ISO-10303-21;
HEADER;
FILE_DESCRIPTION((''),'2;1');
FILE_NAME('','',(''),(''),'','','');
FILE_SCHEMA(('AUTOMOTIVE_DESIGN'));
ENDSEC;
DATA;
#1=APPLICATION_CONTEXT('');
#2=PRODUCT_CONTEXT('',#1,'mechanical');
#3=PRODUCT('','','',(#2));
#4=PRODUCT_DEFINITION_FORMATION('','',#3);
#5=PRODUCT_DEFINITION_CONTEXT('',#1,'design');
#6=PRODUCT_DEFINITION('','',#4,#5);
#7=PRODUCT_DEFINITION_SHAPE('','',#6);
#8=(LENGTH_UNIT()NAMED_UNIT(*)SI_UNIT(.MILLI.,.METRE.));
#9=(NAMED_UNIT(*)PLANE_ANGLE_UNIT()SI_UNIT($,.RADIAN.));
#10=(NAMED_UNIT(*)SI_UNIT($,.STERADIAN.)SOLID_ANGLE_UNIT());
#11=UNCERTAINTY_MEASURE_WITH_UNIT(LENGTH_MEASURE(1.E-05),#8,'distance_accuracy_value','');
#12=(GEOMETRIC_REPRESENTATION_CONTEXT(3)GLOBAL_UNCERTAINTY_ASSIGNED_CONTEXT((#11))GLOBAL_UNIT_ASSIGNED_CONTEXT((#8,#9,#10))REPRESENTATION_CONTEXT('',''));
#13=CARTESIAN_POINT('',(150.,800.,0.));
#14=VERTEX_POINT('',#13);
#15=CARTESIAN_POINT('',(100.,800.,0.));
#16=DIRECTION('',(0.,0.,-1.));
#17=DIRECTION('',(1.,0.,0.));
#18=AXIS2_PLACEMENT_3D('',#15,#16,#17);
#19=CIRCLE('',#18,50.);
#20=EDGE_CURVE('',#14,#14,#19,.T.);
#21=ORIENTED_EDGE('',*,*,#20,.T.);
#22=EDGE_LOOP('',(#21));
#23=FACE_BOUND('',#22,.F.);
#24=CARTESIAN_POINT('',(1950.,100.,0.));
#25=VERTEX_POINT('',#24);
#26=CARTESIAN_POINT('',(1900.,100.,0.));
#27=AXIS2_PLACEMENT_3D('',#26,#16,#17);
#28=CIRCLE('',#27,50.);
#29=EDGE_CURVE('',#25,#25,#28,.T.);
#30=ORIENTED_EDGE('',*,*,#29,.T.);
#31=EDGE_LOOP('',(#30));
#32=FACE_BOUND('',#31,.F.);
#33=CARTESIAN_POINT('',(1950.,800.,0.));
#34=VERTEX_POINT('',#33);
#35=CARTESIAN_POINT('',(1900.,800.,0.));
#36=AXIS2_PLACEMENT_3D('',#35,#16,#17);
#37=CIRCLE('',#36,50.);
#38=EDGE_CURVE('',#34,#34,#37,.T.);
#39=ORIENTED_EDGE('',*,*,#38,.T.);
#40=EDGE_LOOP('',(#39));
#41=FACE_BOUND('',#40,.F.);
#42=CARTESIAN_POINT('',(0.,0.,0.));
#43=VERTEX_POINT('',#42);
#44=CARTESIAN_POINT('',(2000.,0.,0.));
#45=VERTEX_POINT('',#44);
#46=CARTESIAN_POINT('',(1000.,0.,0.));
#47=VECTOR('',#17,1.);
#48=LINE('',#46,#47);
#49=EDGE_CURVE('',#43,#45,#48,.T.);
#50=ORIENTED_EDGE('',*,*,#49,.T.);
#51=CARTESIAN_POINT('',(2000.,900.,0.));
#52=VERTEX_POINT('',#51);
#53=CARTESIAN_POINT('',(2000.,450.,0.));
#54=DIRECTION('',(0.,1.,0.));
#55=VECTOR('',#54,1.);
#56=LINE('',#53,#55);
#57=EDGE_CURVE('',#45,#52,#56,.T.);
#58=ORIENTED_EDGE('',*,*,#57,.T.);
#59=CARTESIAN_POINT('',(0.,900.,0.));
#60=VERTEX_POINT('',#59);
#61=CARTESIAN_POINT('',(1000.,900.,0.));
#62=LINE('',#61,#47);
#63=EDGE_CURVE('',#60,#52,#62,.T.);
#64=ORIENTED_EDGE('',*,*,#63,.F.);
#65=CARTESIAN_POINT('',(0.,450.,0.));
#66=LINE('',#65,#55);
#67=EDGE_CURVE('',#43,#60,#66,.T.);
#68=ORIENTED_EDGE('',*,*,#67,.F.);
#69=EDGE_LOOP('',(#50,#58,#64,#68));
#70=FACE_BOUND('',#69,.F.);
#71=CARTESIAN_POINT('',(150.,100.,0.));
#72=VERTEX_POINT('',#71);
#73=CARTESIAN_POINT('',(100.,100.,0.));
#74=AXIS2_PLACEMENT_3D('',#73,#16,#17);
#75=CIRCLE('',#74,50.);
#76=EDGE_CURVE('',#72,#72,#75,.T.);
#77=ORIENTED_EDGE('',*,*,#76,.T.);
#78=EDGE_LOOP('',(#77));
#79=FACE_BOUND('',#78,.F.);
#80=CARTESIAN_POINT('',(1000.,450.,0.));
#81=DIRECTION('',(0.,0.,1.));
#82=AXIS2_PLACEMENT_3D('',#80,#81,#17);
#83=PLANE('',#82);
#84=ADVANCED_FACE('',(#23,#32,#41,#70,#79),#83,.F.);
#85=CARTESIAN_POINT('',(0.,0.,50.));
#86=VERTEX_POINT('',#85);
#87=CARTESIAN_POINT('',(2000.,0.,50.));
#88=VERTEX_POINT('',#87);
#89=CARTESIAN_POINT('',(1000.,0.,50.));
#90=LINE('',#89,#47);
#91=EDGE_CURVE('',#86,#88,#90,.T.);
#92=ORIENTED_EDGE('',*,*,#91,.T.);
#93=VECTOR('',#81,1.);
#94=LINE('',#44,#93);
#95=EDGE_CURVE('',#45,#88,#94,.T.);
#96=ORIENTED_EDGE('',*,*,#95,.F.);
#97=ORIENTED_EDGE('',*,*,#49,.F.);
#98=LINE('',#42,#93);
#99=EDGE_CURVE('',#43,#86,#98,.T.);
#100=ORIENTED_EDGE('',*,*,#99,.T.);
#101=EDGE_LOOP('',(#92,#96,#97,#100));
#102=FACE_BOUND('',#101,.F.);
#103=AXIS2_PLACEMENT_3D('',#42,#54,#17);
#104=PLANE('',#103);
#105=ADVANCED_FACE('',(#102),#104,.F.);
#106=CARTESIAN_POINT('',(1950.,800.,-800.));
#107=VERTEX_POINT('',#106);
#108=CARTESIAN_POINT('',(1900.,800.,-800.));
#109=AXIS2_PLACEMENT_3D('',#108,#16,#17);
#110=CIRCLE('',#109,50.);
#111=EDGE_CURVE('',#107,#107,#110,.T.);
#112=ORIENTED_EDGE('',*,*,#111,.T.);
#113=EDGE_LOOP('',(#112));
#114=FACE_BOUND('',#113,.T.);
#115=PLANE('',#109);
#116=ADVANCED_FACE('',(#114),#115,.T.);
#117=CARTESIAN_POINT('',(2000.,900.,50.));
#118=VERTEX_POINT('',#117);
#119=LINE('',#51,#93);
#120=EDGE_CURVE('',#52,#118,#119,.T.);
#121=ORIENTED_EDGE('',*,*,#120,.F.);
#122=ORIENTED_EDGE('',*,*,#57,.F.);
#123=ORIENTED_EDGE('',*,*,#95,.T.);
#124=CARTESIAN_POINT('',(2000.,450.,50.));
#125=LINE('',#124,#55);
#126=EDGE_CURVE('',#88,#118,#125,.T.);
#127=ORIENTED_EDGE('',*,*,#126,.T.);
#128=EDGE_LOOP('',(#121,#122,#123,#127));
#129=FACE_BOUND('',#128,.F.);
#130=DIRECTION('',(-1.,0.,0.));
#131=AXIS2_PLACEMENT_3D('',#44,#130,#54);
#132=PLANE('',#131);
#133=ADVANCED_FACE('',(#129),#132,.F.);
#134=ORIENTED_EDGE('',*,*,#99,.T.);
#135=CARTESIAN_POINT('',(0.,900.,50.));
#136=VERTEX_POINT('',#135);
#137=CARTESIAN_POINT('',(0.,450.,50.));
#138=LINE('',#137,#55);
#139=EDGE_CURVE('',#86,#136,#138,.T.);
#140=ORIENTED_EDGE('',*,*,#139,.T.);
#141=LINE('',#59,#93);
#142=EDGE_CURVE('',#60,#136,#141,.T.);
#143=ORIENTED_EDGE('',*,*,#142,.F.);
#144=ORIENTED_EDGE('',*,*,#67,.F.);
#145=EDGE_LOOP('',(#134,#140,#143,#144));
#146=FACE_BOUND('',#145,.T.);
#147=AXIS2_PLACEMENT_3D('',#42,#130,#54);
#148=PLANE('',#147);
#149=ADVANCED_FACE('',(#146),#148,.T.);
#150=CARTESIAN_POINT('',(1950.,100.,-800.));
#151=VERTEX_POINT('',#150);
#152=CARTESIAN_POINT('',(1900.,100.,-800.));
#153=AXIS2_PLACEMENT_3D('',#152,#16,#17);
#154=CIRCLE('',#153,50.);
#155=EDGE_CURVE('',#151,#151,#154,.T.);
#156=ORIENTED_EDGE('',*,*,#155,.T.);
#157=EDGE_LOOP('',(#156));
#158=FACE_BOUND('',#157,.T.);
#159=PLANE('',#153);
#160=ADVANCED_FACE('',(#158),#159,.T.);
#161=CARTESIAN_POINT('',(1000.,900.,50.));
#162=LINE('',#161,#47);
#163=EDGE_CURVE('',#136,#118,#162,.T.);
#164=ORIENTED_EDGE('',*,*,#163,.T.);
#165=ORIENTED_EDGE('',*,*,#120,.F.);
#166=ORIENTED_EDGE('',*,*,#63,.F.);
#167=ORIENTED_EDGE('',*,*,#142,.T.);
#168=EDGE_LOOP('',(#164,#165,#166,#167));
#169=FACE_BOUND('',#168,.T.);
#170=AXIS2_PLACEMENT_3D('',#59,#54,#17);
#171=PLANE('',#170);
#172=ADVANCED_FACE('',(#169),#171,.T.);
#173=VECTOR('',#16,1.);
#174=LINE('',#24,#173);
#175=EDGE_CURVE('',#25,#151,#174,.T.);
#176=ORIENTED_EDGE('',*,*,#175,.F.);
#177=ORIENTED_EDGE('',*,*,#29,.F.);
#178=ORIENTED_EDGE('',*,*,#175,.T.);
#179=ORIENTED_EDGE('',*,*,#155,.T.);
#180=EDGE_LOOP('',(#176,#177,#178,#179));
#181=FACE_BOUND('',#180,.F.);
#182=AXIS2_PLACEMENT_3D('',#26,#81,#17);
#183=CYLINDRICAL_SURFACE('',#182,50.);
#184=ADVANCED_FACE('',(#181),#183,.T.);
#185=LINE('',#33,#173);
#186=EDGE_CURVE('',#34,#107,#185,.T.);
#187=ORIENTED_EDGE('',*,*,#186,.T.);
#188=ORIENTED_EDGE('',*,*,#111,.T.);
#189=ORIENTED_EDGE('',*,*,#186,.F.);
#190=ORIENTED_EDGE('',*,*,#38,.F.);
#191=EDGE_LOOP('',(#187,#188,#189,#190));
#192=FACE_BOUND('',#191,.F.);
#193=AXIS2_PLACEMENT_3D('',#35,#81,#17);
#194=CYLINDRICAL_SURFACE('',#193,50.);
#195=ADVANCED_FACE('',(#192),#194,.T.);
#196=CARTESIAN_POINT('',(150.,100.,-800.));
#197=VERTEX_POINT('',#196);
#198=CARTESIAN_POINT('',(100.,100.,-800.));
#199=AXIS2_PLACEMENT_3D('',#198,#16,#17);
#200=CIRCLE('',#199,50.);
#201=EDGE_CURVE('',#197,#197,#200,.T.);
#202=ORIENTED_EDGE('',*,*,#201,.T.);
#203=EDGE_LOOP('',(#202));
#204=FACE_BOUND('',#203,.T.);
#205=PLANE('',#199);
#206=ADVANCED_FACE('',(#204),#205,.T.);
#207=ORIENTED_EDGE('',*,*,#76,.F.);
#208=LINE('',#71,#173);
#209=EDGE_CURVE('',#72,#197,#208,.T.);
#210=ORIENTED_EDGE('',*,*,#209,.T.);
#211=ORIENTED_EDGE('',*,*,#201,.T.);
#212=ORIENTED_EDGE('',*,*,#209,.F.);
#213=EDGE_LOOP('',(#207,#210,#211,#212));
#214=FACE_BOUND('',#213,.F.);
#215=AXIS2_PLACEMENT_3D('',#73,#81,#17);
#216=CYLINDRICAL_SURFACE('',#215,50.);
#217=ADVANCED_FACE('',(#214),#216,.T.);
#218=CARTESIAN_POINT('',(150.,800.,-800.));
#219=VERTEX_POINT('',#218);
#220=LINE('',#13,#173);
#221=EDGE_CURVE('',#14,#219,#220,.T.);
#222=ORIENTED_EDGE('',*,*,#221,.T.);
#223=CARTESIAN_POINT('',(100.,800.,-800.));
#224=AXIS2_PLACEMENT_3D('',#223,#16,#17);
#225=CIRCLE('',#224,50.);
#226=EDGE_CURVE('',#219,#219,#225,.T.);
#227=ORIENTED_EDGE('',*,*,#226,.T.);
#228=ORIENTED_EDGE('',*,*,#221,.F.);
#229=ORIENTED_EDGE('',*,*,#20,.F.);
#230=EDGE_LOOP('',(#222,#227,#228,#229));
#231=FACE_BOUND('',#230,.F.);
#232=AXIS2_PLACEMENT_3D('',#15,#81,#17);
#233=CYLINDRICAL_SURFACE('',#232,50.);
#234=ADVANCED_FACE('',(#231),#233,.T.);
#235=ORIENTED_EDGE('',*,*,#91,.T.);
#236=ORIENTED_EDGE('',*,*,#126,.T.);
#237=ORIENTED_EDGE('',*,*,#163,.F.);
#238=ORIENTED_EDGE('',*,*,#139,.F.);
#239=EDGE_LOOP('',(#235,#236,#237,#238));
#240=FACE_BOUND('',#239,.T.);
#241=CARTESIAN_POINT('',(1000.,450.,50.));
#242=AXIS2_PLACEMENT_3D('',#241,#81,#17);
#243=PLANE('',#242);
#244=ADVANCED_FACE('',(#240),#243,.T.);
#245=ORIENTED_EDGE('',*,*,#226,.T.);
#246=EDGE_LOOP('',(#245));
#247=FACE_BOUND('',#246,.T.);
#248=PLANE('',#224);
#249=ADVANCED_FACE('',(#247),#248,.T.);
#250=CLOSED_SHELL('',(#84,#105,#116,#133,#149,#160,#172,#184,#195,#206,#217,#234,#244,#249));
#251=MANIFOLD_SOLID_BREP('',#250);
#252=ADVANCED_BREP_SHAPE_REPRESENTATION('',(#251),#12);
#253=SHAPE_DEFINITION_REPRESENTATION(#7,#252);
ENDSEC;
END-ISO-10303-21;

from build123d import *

# Parameters (mm, degrees)
SKETCH_W     = 2000
SKETCH_H     = 900
PAD_DEPTH    = 50
SKETCH001_R  = 50
PAD001_DEPTH = 800


with BuildPart() as part:
    # Sketch → Pad (new body)
    with BuildSketch(Plane.XY):
        with Locations((1000, 450)):
            Rectangle(SKETCH_W, SKETCH_H)
    extrude(amount=PAD_DEPTH)

    # Sketch001 (on Face5 of Pad) → Pad001 (join)
    with BuildSketch(Plane(origin=(0, 0, 0), x_dir=(1, 0, 0), z_dir=(0, 0, -1))):
        with Locations((100, -100)):
            Circle(SKETCH001_R)
        with Locations((1900, -100)):
            Circle(SKETCH001_R)
        with Locations((1900, -800)):
            Circle(SKETCH001_R)
        with Locations((100, -800)):
            Circle(SKETCH001_R)
    extrude(amount=PAD001_DEPTH)


solid = part.part
